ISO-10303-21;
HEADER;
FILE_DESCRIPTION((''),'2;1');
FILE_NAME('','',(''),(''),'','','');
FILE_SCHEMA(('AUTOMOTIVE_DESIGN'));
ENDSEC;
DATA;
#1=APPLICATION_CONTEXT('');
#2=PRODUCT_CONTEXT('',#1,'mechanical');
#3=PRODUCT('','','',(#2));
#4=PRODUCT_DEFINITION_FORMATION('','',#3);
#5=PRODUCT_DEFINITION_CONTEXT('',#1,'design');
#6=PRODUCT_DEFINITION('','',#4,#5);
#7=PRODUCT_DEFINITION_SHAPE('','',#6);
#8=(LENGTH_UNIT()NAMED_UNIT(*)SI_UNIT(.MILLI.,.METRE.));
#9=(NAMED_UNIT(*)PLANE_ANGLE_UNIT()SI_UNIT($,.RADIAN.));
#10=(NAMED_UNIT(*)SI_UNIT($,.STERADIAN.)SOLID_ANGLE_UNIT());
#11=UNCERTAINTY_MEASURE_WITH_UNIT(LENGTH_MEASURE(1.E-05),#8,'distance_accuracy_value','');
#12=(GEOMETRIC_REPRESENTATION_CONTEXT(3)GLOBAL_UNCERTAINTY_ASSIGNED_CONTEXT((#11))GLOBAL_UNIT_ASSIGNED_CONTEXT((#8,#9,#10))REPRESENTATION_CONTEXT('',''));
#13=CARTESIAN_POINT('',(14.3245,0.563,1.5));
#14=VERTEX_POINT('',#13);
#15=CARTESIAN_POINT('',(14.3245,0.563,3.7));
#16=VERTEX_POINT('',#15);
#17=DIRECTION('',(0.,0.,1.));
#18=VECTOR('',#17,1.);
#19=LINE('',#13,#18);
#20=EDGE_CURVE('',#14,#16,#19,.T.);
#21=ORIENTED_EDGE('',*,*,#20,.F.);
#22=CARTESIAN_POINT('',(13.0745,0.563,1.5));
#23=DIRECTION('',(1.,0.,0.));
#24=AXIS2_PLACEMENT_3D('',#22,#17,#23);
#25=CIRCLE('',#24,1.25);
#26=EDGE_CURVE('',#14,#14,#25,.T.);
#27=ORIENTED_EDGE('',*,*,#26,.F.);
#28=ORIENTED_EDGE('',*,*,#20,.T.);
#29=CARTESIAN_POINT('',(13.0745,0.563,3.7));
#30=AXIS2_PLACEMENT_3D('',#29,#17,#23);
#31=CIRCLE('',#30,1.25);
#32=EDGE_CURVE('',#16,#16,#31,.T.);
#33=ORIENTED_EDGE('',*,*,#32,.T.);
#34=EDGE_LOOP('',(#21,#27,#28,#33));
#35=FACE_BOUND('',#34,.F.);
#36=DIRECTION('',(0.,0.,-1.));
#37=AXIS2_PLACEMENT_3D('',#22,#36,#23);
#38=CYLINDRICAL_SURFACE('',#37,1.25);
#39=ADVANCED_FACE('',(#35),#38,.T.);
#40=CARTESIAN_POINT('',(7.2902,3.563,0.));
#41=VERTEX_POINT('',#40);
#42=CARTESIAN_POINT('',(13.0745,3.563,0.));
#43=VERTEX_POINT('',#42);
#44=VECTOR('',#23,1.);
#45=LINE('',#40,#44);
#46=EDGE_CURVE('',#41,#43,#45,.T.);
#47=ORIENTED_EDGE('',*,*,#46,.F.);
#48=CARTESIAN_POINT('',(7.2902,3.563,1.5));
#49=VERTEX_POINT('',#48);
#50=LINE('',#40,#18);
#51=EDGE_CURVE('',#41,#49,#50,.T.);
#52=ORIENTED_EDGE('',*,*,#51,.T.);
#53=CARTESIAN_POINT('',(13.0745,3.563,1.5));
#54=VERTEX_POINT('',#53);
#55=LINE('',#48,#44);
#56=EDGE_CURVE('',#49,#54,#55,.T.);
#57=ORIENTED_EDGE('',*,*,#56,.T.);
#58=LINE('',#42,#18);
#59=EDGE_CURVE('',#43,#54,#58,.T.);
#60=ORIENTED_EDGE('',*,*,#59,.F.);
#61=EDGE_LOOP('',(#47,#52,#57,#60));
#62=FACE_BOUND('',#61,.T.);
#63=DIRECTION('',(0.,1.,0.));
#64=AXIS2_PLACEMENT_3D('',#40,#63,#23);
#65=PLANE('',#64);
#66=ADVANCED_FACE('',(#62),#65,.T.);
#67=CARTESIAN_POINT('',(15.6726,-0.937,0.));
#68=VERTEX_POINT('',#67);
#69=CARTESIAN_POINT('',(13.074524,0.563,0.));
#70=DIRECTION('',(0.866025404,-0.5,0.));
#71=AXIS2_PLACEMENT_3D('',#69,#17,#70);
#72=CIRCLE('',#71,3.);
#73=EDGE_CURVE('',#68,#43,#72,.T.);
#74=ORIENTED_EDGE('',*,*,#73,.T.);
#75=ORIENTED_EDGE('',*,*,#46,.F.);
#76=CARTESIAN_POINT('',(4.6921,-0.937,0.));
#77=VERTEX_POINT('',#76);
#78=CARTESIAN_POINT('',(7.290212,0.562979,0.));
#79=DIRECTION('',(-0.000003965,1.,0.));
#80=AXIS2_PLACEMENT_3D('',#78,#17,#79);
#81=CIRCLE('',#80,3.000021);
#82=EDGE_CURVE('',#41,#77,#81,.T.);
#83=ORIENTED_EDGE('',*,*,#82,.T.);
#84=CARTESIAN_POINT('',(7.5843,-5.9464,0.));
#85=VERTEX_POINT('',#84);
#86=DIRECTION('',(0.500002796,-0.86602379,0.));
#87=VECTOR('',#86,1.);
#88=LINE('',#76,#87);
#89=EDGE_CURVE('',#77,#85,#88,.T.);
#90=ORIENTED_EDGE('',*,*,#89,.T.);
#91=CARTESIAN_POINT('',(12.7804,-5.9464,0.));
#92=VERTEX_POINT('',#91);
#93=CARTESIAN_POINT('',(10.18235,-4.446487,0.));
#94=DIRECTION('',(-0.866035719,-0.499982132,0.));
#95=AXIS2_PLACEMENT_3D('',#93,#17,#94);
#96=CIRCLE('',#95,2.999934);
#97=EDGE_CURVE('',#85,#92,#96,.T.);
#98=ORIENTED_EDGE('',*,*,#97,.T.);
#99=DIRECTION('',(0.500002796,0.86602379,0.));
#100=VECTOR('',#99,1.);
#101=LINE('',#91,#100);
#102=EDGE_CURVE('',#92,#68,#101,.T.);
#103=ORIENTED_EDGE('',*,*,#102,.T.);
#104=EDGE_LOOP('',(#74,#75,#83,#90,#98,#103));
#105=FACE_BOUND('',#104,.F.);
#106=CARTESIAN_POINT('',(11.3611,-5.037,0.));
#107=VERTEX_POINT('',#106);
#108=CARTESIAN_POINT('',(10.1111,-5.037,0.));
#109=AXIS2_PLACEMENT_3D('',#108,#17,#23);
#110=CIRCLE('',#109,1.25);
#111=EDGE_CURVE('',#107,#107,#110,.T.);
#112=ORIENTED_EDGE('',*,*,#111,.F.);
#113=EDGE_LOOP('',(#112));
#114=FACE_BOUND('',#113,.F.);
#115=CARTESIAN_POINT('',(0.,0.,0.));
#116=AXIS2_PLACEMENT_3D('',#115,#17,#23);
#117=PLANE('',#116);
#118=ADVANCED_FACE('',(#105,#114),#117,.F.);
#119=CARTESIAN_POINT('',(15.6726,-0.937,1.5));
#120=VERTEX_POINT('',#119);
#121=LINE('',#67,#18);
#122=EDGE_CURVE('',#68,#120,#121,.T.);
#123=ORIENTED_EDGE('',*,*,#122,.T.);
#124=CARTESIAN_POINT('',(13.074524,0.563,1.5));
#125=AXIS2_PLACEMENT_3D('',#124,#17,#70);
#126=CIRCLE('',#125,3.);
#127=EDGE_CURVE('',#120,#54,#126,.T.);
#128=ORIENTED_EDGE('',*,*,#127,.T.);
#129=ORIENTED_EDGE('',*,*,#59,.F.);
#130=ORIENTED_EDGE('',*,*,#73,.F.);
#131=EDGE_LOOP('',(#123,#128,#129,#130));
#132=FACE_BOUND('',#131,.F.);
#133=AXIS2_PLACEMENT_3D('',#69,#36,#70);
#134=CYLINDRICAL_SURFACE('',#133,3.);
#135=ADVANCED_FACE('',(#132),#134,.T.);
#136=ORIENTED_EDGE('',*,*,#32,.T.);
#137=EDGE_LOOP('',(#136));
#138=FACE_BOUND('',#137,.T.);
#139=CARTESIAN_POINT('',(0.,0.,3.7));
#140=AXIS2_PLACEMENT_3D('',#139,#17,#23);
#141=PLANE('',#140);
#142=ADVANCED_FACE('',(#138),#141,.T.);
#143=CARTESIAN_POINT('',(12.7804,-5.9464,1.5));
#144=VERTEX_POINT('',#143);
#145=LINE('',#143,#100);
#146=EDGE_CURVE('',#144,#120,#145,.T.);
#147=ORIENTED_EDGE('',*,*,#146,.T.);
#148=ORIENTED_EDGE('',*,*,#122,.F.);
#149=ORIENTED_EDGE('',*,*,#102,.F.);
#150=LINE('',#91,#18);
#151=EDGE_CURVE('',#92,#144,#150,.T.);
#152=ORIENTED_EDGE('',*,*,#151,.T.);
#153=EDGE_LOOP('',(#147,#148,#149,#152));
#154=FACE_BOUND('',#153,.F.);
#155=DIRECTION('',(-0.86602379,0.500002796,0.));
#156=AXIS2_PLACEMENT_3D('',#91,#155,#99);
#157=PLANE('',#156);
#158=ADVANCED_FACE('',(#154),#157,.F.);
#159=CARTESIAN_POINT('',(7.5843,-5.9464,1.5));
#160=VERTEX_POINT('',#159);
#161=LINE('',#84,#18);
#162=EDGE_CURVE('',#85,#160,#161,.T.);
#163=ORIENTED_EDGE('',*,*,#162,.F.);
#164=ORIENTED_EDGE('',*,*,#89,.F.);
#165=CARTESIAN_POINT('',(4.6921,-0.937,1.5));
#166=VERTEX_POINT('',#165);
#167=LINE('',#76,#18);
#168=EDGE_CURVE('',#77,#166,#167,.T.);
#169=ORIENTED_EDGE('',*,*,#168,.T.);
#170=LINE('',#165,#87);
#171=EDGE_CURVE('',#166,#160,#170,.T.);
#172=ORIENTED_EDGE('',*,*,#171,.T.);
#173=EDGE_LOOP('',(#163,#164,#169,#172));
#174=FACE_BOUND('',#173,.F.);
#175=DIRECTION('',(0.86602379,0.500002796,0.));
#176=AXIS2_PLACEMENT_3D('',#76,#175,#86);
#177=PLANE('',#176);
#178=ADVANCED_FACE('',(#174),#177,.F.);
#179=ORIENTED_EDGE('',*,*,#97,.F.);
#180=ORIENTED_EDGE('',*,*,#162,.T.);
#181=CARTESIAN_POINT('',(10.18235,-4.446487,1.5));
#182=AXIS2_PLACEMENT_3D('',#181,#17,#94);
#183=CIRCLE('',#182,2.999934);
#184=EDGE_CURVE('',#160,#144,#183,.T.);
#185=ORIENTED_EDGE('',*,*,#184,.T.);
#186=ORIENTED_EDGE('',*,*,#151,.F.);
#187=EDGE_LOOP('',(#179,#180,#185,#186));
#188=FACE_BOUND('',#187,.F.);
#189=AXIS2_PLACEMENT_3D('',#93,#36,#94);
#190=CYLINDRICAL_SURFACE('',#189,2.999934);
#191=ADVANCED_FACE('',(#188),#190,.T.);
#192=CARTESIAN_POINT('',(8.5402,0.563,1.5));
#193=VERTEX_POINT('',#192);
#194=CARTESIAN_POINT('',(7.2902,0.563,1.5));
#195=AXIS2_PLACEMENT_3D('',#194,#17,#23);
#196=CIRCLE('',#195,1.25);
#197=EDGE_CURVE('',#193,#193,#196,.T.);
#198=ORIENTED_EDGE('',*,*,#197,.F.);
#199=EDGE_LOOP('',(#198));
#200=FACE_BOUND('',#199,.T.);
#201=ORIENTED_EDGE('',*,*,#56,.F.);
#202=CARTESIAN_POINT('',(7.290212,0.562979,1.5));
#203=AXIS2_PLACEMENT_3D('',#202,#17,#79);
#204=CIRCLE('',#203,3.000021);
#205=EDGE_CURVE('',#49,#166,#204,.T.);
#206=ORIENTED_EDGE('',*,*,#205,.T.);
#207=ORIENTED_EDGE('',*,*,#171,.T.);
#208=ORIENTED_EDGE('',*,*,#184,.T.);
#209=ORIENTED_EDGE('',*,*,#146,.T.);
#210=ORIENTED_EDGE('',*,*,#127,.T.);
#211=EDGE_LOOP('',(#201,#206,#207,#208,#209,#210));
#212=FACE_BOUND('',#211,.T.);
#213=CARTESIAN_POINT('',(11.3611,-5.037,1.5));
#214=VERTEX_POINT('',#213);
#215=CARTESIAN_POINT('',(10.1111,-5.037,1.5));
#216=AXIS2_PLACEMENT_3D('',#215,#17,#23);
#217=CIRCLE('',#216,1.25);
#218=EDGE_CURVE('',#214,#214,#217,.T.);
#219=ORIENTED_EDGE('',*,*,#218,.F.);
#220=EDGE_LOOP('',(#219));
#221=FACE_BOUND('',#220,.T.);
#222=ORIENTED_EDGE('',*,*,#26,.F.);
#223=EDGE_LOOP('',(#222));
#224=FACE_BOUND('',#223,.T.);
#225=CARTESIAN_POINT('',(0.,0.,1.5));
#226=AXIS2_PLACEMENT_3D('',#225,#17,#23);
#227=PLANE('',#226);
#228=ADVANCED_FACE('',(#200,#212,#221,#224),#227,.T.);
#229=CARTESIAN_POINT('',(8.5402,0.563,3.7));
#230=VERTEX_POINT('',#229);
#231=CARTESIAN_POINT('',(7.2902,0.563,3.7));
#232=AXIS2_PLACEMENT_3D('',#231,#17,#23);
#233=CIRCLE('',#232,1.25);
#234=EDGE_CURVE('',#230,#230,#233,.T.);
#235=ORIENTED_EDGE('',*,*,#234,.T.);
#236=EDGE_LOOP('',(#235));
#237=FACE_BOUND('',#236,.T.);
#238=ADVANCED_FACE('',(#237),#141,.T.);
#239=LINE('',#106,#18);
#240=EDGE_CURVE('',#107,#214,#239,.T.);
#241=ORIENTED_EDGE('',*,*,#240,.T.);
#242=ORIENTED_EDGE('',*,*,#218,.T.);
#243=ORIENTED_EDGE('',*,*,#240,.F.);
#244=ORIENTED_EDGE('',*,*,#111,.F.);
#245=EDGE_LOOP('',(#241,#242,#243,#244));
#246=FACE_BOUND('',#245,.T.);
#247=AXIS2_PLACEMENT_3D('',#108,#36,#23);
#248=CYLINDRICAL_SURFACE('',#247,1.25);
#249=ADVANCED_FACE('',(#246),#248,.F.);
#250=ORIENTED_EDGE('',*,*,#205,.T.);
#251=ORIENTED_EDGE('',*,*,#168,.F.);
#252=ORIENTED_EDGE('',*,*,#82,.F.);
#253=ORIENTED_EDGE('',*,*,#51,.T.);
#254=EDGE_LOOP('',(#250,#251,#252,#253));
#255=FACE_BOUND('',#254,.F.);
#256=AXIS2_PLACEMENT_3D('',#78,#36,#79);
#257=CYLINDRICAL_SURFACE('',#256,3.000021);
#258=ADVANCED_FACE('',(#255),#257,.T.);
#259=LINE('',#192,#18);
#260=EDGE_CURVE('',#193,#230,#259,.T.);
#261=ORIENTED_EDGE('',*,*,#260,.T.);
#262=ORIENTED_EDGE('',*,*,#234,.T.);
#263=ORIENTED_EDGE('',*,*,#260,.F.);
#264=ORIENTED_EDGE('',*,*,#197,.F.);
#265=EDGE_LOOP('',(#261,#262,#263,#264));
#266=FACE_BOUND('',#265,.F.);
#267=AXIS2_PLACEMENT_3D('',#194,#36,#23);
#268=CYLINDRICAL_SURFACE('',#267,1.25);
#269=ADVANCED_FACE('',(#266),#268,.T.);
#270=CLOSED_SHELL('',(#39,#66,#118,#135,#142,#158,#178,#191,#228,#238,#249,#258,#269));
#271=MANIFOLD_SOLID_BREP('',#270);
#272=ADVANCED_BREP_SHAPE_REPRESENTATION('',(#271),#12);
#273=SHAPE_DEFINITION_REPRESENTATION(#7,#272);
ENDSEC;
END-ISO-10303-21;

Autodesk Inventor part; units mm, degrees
ref_plane "YZ Plane" through (0, 0, 0) normal (1, 0, 0) x (0, 1, 0)
ref_plane "XZ Plane" through (0, 0, 0) normal (0, 1, 0) x (-1, 0, 0)
ref_plane "XY Plane" through (0, 0, 0) normal (0, 0, 1) x (1, 0, 0)
sketch "Boceto1" plane through (0, 0, 0) normal (0, 0, 1) x (1, 0, 0)
  circle A0 centre (6.9411, 0.443) radius 1.25
  circle A1 centre (13.2811, 0.443) radius 1.25
  line L0 (6.9411, 0.443) -> (13.2811, 0.443) construction
  circle A2 centre (10.1111, -5.037) radius 1.25
  line L1 (7.2902, 3.563) -> (13.0745, 3.563)
  line L2 (4.6921, -0.937) -> (7.5843, -5.9464)
  line L3 (12.7804, -5.9464) -> (15.6726, -0.937)
  arc A3 (7.2902, 3.563) -> (4.6921, -0.937) centre (7.2902, 0.563) ccw
  arc A4 (15.6726, -0.937) -> (13.0745, 3.563) centre (13.0745, 0.563) ccw
  arc A5 (7.5843, -5.9464) -> (12.7804, -5.9464) centre (10.1824, -4.4464) ccw
  dimension "d2" = 2.5
  dimension "d9" = 2.5
  dimension "d10" = 6.34
  dimension "d13" = 2.5
  dimension "d14" = 5.48
  dimension "d15" = 3.12
  dimension "d16" = 60
  dimension "d17" = 60
  dimension "d18" = 60
  dimension "d19" = 3
extrude "Extrusión1" add sketch "Boceto1" along normal blind 1.5 contours A0 | A1 | L1 A4 L3 A5 L2 A3
sketch "Boceto3" plane through (0, 0, 1.5) normal (0, 0, 1) x (1, 0, 0)
  arc A0 (7.2902, 3.563) -> (4.6921, -0.937) centre (7.2902, 0.563) ccw projected
  circle A1 centre (7.2902, 0.563) radius 1.25
  arc A2 (15.6726, -0.937) -> (13.0745, 3.563) centre (13.0745, 0.563) ccw projected
  circle A3 centre (13.0745, 0.563) radius 1.25
  point P0 (0, 0)
  dimension "d22" = 2.5
  dimension "d23" = 2.5
extrude "Extrusión2" add sketch "Boceto3" along normal blind 2.2
properties part number "Pieza5_3DPrint"
